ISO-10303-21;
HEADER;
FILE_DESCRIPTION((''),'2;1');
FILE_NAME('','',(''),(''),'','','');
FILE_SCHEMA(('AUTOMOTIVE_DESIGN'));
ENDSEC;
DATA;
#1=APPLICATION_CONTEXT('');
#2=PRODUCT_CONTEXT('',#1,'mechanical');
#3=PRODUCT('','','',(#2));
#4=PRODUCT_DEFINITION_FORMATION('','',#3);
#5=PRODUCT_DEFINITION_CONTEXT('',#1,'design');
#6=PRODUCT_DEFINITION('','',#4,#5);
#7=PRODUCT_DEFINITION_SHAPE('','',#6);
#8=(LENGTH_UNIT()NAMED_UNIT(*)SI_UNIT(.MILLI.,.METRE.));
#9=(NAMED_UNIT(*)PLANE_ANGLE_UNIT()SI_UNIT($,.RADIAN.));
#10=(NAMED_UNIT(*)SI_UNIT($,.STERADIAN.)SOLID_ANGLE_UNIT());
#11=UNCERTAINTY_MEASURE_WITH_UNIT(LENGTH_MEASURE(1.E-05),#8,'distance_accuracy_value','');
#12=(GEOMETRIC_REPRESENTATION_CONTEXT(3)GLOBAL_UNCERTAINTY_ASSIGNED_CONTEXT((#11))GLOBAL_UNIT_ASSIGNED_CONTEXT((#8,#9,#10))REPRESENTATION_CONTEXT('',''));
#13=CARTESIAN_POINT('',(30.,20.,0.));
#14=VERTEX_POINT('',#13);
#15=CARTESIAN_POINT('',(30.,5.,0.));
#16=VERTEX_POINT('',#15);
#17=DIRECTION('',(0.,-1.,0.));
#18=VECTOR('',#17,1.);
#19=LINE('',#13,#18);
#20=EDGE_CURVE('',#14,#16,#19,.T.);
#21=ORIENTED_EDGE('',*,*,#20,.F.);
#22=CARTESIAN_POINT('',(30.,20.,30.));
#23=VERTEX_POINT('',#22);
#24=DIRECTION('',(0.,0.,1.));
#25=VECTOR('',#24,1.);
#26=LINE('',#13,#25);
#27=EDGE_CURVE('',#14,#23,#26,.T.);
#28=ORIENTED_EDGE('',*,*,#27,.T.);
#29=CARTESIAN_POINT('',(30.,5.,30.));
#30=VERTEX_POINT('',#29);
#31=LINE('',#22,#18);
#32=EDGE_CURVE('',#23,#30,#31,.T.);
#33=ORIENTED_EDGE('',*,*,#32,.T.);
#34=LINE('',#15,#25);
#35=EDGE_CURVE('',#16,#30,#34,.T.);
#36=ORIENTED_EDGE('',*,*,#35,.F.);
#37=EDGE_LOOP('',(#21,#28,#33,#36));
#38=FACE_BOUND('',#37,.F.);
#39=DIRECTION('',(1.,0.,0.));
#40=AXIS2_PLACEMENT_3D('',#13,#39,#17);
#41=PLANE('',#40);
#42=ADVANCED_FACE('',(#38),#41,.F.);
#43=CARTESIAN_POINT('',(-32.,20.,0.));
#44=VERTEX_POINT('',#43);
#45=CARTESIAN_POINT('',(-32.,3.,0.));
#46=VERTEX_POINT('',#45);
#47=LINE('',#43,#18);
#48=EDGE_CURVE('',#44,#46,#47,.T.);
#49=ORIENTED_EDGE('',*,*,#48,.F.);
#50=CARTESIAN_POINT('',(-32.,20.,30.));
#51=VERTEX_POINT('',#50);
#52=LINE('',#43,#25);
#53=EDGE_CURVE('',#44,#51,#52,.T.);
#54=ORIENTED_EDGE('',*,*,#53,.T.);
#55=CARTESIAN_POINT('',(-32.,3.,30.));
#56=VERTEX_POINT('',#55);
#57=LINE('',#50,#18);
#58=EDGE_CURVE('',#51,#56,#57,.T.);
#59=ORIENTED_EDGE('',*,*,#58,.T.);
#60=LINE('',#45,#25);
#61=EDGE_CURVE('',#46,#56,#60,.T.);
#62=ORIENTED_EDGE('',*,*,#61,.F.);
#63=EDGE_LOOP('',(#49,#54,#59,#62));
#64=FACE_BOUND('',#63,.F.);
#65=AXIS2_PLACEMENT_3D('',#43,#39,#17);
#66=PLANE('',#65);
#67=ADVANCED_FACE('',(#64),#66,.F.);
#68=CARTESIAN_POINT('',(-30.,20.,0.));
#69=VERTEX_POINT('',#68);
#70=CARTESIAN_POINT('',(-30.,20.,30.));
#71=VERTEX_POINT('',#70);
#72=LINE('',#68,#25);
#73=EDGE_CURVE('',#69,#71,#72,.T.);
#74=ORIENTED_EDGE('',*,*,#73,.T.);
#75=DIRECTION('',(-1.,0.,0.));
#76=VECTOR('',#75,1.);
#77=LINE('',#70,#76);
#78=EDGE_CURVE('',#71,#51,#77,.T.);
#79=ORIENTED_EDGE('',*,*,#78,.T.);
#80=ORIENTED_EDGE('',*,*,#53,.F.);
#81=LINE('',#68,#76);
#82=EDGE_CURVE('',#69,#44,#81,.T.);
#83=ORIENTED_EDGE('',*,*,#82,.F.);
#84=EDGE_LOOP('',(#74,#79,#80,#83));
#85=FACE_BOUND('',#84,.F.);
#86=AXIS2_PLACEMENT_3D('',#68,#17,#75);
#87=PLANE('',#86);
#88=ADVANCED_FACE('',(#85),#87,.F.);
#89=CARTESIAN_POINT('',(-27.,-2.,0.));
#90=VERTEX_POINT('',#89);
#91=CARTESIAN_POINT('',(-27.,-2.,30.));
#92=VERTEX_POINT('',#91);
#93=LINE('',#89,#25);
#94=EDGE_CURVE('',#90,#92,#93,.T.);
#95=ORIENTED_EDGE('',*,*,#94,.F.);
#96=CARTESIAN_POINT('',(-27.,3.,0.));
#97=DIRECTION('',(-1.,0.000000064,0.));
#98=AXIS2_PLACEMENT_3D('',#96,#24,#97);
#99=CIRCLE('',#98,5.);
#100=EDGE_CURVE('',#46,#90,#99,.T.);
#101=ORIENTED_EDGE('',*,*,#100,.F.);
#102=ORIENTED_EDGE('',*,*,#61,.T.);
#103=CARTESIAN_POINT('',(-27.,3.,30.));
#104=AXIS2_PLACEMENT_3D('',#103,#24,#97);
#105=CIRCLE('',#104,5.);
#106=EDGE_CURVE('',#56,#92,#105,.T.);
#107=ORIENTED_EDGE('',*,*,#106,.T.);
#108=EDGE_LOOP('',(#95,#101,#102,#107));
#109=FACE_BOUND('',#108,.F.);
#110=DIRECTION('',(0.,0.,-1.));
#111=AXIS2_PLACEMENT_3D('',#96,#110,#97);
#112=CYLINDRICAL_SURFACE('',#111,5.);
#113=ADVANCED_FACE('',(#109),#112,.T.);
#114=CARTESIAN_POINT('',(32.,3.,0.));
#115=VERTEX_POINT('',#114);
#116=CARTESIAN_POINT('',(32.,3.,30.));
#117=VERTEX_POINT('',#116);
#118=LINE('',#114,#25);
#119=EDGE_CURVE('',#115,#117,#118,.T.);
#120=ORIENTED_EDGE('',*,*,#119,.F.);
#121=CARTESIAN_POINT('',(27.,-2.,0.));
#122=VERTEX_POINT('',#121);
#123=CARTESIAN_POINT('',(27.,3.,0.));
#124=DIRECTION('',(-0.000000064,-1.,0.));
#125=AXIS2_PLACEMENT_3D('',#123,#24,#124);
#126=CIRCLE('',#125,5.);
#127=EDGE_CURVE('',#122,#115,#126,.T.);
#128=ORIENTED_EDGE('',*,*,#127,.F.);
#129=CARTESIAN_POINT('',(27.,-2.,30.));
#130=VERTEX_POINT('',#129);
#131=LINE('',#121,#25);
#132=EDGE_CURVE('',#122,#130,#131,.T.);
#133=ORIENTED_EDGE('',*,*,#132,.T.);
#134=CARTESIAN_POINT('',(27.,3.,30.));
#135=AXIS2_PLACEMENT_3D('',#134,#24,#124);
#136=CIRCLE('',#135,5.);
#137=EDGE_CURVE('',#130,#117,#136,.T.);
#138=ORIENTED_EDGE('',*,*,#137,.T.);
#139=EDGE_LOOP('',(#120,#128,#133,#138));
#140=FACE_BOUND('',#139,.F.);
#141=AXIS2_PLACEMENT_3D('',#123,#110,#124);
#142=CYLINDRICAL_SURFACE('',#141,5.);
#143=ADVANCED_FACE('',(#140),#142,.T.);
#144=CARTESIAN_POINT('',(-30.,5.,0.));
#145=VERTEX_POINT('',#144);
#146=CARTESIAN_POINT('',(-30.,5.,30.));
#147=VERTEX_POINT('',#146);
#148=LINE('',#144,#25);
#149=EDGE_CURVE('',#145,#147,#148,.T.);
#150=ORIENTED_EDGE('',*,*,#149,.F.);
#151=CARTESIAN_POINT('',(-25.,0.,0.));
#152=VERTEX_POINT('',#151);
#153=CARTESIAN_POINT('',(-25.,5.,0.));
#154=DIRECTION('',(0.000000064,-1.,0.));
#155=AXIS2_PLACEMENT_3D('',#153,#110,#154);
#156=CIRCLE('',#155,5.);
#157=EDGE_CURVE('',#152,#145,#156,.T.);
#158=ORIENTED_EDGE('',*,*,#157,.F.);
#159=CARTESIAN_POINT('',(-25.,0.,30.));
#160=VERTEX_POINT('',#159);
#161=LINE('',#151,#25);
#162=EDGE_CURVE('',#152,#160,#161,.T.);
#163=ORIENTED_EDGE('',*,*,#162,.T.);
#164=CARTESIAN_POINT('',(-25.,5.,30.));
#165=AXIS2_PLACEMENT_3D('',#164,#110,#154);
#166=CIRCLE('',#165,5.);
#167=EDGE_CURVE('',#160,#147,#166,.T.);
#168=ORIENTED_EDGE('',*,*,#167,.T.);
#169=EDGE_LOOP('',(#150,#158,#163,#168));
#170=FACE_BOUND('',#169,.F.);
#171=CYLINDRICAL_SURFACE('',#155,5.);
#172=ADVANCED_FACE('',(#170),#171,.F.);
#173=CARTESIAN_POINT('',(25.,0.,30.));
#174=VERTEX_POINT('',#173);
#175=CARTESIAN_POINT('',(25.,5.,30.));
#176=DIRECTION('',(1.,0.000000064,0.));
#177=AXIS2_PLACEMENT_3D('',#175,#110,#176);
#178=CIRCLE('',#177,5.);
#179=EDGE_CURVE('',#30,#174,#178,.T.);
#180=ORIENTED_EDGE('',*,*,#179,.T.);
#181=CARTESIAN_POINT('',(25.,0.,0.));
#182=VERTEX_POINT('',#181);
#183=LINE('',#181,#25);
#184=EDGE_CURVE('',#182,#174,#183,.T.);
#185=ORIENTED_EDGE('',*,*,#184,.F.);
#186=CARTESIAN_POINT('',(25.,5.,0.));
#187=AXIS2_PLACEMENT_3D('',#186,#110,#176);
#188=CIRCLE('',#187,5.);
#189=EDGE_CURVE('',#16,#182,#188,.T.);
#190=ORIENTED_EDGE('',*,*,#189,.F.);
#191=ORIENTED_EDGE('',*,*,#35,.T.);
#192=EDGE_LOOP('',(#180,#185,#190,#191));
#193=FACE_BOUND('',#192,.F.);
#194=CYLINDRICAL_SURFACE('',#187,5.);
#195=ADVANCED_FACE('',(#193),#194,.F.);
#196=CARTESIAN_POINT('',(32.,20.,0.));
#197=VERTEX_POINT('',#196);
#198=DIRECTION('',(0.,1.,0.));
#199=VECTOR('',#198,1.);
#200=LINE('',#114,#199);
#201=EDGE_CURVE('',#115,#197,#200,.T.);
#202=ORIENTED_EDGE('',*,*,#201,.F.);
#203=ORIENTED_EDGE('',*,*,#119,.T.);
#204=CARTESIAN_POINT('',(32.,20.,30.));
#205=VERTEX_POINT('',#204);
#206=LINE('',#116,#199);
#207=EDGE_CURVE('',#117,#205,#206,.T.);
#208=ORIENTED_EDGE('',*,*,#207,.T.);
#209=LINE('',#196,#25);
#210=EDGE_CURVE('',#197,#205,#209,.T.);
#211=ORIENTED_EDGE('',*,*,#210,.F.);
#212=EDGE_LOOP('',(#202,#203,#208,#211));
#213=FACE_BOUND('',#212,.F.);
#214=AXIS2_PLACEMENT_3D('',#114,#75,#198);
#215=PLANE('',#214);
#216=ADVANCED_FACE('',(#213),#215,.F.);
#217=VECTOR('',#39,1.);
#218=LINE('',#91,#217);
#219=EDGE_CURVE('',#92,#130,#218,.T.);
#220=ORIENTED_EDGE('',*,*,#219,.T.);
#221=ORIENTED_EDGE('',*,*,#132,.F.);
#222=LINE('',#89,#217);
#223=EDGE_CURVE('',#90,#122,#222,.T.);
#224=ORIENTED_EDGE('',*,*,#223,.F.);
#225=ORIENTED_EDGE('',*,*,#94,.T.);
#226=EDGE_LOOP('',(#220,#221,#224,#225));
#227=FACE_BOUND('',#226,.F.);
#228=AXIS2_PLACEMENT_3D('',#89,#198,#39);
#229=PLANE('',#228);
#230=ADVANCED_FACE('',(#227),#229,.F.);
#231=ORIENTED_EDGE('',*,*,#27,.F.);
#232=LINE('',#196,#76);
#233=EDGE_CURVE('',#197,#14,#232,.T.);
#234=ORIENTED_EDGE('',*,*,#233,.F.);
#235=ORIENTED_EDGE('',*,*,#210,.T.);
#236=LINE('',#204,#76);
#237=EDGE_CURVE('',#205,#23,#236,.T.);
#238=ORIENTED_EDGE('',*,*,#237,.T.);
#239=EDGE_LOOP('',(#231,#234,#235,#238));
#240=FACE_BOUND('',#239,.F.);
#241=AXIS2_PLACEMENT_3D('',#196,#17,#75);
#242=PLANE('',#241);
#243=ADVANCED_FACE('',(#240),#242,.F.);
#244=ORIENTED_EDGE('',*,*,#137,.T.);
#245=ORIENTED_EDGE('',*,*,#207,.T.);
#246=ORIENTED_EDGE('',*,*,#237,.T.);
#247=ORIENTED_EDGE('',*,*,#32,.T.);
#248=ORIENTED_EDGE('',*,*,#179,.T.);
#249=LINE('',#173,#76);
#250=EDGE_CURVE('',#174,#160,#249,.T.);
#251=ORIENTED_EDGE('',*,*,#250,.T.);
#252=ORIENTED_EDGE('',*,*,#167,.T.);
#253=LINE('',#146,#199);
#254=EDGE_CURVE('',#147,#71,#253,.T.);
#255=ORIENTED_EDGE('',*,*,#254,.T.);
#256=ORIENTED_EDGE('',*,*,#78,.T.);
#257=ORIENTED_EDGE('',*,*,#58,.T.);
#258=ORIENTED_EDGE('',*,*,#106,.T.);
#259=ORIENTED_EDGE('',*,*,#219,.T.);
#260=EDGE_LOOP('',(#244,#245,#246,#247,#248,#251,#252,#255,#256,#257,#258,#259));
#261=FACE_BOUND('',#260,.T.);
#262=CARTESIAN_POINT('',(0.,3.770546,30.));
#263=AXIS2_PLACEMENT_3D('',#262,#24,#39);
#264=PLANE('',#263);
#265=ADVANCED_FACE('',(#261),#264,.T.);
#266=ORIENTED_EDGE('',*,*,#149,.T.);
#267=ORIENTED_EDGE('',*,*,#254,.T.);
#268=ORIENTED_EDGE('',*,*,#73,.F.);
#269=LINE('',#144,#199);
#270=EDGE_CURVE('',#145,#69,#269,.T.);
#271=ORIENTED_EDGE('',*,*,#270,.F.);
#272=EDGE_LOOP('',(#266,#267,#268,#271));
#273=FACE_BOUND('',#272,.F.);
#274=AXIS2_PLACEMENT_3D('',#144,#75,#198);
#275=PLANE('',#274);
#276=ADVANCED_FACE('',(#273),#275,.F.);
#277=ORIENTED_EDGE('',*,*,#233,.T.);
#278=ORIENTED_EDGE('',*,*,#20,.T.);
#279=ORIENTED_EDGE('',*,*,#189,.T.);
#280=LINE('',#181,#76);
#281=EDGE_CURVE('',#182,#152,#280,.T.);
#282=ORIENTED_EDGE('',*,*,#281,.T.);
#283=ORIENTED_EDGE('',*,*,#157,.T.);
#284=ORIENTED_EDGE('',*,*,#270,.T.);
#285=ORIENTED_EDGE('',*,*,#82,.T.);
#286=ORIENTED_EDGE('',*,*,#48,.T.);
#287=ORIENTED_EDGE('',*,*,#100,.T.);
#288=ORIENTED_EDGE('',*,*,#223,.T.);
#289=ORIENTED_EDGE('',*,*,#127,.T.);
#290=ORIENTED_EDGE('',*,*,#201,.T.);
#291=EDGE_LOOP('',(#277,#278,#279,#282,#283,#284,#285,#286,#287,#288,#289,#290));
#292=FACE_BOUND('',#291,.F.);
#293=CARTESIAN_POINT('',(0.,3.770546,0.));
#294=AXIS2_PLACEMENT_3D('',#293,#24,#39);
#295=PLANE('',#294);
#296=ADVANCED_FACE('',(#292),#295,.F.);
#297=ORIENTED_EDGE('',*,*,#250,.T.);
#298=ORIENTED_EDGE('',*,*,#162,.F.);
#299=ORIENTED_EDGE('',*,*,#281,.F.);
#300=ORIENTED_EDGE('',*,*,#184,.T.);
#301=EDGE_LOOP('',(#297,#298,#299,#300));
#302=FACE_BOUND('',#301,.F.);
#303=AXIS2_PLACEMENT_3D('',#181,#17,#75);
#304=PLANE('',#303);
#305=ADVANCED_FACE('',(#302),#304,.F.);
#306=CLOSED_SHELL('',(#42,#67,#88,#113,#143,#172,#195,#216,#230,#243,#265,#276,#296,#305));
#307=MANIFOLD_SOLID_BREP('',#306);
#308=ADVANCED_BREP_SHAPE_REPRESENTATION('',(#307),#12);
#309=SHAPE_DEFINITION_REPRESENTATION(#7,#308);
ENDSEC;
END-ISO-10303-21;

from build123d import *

# Parameters (mm, degrees)
F1_DEPTH = 30


with BuildPart() as f1:
    # F0 (on Top) → F1 (new body)
    with BuildSketch(Plane.XY):
        with BuildLine():
            Line((25, 0), (0, 0))
            Line((0, 0), (-25, 0))
            ThreePointArc((-25, 0), (-28.535534, 1.464466), (-30, 5))
            Line((-30, 5), (-30, 20))
            Line((-30, 20), (-32, 20))
            Line((-32, 20), (-32, 3))
            ThreePointArc((-32, 3), (-30.535534, -0.535534), (-27, -2))
            Line((-27, -2), (0, -2))
            Line((0, -2), (27, -2))
            ThreePointArc((27, -2), (30.535534, -0.535534), (32, 3))
            Line((32, 3), (32, 20))
            Line((32, 20), (30, 20))
            Line((30, 20), (30, 5))
            ThreePointArc((30, 5), (28.535534, 1.464466), (25, 0))
        make_face()
    extrude(amount=F1_DEPTH)


solid = f1.part
